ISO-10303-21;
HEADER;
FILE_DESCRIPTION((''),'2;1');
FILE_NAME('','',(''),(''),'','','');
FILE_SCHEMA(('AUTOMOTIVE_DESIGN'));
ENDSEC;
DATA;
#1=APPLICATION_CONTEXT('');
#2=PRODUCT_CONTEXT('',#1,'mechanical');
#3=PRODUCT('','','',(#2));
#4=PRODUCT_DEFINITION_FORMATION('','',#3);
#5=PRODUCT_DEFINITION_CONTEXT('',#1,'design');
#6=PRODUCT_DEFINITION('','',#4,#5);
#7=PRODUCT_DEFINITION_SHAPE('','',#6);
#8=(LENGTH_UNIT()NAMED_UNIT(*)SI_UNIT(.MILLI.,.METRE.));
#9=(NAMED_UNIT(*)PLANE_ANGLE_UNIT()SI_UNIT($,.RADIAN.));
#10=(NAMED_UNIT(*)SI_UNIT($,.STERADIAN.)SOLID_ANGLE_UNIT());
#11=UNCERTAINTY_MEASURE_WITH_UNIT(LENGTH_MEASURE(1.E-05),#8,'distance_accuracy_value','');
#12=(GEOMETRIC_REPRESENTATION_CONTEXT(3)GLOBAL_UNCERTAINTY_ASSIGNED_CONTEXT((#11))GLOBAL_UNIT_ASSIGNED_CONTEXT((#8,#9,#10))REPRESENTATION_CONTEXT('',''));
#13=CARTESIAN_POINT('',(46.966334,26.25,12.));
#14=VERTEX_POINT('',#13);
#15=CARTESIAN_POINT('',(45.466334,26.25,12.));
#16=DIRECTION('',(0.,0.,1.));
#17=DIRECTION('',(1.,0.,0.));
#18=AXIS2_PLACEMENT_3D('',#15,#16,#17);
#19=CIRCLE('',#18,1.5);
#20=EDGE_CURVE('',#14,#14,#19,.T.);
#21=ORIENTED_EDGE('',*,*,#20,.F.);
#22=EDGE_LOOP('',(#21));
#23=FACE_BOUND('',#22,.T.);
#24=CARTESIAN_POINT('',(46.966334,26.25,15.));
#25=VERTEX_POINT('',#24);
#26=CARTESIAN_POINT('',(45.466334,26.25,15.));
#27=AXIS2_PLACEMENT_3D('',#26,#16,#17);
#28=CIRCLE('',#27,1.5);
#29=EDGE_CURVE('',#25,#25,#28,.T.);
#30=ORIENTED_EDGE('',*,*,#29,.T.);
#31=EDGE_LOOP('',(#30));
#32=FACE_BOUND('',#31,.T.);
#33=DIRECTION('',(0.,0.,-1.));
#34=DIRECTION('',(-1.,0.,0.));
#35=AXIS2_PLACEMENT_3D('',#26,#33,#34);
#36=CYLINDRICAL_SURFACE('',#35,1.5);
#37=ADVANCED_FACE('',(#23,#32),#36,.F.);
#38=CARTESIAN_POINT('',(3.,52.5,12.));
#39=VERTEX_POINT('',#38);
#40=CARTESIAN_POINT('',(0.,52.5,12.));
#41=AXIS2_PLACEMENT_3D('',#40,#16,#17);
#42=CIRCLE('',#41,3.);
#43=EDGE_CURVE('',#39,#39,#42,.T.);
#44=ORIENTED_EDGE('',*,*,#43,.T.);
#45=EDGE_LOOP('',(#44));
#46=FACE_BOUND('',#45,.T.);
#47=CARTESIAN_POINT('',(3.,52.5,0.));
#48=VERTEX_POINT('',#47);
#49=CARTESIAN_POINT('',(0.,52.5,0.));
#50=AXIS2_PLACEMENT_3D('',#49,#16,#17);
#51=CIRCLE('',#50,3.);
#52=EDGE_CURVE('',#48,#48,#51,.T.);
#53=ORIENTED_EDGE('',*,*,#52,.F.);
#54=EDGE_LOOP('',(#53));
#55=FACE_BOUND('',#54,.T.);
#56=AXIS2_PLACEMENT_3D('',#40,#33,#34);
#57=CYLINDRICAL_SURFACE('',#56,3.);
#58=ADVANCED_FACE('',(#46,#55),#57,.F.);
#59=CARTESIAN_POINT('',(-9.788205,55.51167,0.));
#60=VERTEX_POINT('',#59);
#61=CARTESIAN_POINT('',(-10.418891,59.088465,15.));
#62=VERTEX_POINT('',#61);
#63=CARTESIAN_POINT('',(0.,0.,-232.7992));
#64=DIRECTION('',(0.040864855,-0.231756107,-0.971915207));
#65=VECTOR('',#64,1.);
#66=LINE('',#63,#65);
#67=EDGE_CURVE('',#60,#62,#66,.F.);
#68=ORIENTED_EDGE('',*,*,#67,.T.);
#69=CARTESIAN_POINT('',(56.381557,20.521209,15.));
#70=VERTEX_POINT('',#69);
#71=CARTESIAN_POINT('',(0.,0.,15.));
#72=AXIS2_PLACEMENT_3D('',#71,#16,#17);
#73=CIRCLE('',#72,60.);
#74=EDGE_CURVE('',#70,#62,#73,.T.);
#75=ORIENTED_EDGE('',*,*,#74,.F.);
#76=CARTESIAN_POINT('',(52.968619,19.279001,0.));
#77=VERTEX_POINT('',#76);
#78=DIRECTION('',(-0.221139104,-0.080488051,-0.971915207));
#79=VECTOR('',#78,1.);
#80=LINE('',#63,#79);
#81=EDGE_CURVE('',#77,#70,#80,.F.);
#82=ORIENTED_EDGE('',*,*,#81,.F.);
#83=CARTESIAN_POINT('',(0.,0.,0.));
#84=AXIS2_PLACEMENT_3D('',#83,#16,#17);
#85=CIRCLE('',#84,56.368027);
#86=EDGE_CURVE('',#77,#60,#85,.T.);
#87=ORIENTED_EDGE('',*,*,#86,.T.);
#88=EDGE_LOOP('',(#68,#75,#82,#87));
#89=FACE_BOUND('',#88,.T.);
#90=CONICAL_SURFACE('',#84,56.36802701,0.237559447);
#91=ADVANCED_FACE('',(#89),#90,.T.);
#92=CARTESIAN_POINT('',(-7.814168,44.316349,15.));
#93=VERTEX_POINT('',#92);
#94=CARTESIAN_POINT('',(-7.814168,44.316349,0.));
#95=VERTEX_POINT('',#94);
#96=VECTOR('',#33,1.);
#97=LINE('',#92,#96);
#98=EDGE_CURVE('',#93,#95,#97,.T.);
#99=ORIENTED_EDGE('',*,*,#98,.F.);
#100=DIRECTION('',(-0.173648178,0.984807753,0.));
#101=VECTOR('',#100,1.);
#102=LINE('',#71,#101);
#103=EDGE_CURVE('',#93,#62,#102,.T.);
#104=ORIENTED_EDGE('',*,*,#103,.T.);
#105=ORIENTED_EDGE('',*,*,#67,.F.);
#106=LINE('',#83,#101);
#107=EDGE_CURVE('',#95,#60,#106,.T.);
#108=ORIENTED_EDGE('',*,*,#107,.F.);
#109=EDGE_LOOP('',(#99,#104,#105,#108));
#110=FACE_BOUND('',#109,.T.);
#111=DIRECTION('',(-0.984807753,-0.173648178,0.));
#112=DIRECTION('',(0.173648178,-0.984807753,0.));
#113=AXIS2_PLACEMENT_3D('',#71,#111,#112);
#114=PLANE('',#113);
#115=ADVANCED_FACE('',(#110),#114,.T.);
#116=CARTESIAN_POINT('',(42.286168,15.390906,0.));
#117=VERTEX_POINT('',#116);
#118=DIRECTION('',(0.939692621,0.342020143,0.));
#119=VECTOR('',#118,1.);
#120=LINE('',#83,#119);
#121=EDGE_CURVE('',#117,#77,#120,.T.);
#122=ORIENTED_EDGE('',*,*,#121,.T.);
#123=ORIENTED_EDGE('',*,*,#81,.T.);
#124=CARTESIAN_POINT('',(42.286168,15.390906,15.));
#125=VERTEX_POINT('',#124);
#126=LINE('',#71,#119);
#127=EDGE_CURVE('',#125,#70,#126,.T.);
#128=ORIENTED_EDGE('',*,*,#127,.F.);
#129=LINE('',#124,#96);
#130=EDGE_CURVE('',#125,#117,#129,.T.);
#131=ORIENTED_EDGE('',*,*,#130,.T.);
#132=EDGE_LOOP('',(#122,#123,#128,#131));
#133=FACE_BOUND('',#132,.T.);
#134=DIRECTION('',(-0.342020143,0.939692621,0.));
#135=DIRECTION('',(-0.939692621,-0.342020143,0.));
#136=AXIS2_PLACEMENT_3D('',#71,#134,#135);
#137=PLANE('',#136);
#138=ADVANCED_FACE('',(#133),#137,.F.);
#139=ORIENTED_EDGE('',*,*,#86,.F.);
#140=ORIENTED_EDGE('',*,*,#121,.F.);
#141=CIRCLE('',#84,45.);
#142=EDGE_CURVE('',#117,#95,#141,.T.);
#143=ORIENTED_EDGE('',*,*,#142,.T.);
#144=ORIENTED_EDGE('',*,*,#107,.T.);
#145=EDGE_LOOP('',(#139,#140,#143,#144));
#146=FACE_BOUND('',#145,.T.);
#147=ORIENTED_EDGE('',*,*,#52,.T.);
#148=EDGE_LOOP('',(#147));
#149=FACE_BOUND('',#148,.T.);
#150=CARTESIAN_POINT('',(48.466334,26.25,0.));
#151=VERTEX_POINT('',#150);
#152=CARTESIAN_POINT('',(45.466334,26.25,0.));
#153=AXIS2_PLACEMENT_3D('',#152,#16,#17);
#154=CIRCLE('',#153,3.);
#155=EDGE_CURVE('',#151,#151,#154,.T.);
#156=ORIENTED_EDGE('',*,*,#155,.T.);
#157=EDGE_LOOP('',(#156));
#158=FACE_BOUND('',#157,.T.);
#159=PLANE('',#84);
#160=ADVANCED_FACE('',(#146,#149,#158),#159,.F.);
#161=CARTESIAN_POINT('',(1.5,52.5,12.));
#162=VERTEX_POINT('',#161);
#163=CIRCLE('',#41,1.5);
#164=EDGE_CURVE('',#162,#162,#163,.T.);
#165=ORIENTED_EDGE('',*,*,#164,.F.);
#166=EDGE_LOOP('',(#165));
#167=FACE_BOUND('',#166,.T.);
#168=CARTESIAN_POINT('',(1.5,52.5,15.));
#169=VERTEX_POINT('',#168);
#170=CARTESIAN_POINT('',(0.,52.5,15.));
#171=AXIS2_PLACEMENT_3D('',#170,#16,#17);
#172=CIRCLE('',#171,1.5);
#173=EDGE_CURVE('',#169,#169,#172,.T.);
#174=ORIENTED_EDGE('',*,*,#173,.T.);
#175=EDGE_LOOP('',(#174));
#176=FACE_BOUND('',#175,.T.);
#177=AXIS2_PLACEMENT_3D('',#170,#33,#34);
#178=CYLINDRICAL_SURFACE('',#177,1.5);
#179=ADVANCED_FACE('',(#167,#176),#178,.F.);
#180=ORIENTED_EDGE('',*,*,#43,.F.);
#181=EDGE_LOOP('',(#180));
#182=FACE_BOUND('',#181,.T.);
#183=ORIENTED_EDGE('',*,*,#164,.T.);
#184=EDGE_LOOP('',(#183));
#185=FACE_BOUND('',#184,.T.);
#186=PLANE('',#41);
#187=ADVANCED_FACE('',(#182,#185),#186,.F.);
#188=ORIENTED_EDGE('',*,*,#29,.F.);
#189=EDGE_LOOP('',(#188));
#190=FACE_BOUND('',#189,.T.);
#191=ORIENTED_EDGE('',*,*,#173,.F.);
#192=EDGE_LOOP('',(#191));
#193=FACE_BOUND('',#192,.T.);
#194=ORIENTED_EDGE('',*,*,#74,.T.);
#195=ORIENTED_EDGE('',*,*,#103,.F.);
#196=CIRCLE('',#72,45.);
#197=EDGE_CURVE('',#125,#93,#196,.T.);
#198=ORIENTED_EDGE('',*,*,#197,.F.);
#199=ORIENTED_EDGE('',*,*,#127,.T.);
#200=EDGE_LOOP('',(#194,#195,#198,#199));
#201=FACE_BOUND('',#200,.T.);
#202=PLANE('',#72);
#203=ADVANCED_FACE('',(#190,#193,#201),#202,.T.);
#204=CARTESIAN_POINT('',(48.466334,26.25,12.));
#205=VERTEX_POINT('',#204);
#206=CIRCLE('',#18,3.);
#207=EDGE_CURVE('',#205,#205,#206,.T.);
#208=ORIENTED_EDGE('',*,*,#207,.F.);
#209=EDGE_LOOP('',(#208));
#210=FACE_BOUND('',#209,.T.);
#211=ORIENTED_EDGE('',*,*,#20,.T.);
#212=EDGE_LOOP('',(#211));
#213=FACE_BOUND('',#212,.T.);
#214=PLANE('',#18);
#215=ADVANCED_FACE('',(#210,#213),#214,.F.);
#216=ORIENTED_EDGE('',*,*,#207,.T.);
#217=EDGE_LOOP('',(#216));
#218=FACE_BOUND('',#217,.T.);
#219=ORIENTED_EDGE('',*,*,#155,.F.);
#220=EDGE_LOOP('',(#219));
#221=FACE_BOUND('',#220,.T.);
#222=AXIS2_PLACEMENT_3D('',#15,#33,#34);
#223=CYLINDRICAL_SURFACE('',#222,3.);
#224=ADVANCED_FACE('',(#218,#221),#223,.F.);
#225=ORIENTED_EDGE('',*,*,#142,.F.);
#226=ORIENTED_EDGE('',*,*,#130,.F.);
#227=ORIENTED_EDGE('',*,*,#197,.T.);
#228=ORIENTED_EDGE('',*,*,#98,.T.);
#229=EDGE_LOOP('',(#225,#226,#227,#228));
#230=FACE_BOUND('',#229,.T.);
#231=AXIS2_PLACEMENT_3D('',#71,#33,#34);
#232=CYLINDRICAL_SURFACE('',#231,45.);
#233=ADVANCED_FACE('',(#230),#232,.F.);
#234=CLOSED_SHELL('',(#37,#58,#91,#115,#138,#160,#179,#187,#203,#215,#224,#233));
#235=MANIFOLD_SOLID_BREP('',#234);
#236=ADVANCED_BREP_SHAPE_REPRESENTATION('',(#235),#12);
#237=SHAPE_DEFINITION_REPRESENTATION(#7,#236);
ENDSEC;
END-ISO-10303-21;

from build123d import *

# Parameters (mm, degrees)
SKETCH_1_R          = 1.5
EXTRUDE_1_DEPTH     = 15
SKETCH_2_R          = 3
CUT_EXTRUDE_1_DEPTH = 12


with BuildPart() as part:
    # 草图1 → 凸台-拉伸1 (new body)
    with BuildSketch(Plane.XY):
        with BuildLine():
            ThreePointArc((42.286167935, 15.39090645), (22.5, 38.97114317), (-7.814167995, 44.316348886))
            Line((-7.814167995, 44.316348886), (-10.41889066, 59.088465181))
            ThreePointArc((-10.41889066, 59.088465181), (30, 51.961524227), (56.381557247, 20.5212086))
            Line((56.381557247, 20.5212086), (42.286167935, 15.39090645))
        make_face()
        with Locations((45.466333699, 26.25)):
            Circle(SKETCH_1_R, mode=Mode.SUBTRACT)
        with Locations((0, 52.5)):
            Circle(SKETCH_1_R, mode=Mode.SUBTRACT)
    extrude(amount=EXTRUDE_1_DEPTH)

    # 草图2 → 切除-拉伸1 (cut)
    with BuildSketch(Plane.XY):
        with Locations((0, 52.5)):
            Circle(SKETCH_2_R)
        with Locations((45.466333699, 26.25)):
            Circle(SKETCH_2_R)
    extrude(amount=CUT_EXTRUDE_1_DEPTH, mode=Mode.SUBTRACT)

    # 草图6 → 切除-旋转1 (revolve, cut)
    with BuildSketch(Plane(origin=(0, 0, 0), x_dir=(0, 0, 1), z_dir=(-0.9848077530122092, -0.1736481776669239, 0))):
        Polygon((0, 60), (0, 56.36802701), (15, 60), align=None)
    revolve(axis=Axis((0, 0, 0), (0, 0, -1)), mode=Mode.SUBTRACT)


solid = part.part
